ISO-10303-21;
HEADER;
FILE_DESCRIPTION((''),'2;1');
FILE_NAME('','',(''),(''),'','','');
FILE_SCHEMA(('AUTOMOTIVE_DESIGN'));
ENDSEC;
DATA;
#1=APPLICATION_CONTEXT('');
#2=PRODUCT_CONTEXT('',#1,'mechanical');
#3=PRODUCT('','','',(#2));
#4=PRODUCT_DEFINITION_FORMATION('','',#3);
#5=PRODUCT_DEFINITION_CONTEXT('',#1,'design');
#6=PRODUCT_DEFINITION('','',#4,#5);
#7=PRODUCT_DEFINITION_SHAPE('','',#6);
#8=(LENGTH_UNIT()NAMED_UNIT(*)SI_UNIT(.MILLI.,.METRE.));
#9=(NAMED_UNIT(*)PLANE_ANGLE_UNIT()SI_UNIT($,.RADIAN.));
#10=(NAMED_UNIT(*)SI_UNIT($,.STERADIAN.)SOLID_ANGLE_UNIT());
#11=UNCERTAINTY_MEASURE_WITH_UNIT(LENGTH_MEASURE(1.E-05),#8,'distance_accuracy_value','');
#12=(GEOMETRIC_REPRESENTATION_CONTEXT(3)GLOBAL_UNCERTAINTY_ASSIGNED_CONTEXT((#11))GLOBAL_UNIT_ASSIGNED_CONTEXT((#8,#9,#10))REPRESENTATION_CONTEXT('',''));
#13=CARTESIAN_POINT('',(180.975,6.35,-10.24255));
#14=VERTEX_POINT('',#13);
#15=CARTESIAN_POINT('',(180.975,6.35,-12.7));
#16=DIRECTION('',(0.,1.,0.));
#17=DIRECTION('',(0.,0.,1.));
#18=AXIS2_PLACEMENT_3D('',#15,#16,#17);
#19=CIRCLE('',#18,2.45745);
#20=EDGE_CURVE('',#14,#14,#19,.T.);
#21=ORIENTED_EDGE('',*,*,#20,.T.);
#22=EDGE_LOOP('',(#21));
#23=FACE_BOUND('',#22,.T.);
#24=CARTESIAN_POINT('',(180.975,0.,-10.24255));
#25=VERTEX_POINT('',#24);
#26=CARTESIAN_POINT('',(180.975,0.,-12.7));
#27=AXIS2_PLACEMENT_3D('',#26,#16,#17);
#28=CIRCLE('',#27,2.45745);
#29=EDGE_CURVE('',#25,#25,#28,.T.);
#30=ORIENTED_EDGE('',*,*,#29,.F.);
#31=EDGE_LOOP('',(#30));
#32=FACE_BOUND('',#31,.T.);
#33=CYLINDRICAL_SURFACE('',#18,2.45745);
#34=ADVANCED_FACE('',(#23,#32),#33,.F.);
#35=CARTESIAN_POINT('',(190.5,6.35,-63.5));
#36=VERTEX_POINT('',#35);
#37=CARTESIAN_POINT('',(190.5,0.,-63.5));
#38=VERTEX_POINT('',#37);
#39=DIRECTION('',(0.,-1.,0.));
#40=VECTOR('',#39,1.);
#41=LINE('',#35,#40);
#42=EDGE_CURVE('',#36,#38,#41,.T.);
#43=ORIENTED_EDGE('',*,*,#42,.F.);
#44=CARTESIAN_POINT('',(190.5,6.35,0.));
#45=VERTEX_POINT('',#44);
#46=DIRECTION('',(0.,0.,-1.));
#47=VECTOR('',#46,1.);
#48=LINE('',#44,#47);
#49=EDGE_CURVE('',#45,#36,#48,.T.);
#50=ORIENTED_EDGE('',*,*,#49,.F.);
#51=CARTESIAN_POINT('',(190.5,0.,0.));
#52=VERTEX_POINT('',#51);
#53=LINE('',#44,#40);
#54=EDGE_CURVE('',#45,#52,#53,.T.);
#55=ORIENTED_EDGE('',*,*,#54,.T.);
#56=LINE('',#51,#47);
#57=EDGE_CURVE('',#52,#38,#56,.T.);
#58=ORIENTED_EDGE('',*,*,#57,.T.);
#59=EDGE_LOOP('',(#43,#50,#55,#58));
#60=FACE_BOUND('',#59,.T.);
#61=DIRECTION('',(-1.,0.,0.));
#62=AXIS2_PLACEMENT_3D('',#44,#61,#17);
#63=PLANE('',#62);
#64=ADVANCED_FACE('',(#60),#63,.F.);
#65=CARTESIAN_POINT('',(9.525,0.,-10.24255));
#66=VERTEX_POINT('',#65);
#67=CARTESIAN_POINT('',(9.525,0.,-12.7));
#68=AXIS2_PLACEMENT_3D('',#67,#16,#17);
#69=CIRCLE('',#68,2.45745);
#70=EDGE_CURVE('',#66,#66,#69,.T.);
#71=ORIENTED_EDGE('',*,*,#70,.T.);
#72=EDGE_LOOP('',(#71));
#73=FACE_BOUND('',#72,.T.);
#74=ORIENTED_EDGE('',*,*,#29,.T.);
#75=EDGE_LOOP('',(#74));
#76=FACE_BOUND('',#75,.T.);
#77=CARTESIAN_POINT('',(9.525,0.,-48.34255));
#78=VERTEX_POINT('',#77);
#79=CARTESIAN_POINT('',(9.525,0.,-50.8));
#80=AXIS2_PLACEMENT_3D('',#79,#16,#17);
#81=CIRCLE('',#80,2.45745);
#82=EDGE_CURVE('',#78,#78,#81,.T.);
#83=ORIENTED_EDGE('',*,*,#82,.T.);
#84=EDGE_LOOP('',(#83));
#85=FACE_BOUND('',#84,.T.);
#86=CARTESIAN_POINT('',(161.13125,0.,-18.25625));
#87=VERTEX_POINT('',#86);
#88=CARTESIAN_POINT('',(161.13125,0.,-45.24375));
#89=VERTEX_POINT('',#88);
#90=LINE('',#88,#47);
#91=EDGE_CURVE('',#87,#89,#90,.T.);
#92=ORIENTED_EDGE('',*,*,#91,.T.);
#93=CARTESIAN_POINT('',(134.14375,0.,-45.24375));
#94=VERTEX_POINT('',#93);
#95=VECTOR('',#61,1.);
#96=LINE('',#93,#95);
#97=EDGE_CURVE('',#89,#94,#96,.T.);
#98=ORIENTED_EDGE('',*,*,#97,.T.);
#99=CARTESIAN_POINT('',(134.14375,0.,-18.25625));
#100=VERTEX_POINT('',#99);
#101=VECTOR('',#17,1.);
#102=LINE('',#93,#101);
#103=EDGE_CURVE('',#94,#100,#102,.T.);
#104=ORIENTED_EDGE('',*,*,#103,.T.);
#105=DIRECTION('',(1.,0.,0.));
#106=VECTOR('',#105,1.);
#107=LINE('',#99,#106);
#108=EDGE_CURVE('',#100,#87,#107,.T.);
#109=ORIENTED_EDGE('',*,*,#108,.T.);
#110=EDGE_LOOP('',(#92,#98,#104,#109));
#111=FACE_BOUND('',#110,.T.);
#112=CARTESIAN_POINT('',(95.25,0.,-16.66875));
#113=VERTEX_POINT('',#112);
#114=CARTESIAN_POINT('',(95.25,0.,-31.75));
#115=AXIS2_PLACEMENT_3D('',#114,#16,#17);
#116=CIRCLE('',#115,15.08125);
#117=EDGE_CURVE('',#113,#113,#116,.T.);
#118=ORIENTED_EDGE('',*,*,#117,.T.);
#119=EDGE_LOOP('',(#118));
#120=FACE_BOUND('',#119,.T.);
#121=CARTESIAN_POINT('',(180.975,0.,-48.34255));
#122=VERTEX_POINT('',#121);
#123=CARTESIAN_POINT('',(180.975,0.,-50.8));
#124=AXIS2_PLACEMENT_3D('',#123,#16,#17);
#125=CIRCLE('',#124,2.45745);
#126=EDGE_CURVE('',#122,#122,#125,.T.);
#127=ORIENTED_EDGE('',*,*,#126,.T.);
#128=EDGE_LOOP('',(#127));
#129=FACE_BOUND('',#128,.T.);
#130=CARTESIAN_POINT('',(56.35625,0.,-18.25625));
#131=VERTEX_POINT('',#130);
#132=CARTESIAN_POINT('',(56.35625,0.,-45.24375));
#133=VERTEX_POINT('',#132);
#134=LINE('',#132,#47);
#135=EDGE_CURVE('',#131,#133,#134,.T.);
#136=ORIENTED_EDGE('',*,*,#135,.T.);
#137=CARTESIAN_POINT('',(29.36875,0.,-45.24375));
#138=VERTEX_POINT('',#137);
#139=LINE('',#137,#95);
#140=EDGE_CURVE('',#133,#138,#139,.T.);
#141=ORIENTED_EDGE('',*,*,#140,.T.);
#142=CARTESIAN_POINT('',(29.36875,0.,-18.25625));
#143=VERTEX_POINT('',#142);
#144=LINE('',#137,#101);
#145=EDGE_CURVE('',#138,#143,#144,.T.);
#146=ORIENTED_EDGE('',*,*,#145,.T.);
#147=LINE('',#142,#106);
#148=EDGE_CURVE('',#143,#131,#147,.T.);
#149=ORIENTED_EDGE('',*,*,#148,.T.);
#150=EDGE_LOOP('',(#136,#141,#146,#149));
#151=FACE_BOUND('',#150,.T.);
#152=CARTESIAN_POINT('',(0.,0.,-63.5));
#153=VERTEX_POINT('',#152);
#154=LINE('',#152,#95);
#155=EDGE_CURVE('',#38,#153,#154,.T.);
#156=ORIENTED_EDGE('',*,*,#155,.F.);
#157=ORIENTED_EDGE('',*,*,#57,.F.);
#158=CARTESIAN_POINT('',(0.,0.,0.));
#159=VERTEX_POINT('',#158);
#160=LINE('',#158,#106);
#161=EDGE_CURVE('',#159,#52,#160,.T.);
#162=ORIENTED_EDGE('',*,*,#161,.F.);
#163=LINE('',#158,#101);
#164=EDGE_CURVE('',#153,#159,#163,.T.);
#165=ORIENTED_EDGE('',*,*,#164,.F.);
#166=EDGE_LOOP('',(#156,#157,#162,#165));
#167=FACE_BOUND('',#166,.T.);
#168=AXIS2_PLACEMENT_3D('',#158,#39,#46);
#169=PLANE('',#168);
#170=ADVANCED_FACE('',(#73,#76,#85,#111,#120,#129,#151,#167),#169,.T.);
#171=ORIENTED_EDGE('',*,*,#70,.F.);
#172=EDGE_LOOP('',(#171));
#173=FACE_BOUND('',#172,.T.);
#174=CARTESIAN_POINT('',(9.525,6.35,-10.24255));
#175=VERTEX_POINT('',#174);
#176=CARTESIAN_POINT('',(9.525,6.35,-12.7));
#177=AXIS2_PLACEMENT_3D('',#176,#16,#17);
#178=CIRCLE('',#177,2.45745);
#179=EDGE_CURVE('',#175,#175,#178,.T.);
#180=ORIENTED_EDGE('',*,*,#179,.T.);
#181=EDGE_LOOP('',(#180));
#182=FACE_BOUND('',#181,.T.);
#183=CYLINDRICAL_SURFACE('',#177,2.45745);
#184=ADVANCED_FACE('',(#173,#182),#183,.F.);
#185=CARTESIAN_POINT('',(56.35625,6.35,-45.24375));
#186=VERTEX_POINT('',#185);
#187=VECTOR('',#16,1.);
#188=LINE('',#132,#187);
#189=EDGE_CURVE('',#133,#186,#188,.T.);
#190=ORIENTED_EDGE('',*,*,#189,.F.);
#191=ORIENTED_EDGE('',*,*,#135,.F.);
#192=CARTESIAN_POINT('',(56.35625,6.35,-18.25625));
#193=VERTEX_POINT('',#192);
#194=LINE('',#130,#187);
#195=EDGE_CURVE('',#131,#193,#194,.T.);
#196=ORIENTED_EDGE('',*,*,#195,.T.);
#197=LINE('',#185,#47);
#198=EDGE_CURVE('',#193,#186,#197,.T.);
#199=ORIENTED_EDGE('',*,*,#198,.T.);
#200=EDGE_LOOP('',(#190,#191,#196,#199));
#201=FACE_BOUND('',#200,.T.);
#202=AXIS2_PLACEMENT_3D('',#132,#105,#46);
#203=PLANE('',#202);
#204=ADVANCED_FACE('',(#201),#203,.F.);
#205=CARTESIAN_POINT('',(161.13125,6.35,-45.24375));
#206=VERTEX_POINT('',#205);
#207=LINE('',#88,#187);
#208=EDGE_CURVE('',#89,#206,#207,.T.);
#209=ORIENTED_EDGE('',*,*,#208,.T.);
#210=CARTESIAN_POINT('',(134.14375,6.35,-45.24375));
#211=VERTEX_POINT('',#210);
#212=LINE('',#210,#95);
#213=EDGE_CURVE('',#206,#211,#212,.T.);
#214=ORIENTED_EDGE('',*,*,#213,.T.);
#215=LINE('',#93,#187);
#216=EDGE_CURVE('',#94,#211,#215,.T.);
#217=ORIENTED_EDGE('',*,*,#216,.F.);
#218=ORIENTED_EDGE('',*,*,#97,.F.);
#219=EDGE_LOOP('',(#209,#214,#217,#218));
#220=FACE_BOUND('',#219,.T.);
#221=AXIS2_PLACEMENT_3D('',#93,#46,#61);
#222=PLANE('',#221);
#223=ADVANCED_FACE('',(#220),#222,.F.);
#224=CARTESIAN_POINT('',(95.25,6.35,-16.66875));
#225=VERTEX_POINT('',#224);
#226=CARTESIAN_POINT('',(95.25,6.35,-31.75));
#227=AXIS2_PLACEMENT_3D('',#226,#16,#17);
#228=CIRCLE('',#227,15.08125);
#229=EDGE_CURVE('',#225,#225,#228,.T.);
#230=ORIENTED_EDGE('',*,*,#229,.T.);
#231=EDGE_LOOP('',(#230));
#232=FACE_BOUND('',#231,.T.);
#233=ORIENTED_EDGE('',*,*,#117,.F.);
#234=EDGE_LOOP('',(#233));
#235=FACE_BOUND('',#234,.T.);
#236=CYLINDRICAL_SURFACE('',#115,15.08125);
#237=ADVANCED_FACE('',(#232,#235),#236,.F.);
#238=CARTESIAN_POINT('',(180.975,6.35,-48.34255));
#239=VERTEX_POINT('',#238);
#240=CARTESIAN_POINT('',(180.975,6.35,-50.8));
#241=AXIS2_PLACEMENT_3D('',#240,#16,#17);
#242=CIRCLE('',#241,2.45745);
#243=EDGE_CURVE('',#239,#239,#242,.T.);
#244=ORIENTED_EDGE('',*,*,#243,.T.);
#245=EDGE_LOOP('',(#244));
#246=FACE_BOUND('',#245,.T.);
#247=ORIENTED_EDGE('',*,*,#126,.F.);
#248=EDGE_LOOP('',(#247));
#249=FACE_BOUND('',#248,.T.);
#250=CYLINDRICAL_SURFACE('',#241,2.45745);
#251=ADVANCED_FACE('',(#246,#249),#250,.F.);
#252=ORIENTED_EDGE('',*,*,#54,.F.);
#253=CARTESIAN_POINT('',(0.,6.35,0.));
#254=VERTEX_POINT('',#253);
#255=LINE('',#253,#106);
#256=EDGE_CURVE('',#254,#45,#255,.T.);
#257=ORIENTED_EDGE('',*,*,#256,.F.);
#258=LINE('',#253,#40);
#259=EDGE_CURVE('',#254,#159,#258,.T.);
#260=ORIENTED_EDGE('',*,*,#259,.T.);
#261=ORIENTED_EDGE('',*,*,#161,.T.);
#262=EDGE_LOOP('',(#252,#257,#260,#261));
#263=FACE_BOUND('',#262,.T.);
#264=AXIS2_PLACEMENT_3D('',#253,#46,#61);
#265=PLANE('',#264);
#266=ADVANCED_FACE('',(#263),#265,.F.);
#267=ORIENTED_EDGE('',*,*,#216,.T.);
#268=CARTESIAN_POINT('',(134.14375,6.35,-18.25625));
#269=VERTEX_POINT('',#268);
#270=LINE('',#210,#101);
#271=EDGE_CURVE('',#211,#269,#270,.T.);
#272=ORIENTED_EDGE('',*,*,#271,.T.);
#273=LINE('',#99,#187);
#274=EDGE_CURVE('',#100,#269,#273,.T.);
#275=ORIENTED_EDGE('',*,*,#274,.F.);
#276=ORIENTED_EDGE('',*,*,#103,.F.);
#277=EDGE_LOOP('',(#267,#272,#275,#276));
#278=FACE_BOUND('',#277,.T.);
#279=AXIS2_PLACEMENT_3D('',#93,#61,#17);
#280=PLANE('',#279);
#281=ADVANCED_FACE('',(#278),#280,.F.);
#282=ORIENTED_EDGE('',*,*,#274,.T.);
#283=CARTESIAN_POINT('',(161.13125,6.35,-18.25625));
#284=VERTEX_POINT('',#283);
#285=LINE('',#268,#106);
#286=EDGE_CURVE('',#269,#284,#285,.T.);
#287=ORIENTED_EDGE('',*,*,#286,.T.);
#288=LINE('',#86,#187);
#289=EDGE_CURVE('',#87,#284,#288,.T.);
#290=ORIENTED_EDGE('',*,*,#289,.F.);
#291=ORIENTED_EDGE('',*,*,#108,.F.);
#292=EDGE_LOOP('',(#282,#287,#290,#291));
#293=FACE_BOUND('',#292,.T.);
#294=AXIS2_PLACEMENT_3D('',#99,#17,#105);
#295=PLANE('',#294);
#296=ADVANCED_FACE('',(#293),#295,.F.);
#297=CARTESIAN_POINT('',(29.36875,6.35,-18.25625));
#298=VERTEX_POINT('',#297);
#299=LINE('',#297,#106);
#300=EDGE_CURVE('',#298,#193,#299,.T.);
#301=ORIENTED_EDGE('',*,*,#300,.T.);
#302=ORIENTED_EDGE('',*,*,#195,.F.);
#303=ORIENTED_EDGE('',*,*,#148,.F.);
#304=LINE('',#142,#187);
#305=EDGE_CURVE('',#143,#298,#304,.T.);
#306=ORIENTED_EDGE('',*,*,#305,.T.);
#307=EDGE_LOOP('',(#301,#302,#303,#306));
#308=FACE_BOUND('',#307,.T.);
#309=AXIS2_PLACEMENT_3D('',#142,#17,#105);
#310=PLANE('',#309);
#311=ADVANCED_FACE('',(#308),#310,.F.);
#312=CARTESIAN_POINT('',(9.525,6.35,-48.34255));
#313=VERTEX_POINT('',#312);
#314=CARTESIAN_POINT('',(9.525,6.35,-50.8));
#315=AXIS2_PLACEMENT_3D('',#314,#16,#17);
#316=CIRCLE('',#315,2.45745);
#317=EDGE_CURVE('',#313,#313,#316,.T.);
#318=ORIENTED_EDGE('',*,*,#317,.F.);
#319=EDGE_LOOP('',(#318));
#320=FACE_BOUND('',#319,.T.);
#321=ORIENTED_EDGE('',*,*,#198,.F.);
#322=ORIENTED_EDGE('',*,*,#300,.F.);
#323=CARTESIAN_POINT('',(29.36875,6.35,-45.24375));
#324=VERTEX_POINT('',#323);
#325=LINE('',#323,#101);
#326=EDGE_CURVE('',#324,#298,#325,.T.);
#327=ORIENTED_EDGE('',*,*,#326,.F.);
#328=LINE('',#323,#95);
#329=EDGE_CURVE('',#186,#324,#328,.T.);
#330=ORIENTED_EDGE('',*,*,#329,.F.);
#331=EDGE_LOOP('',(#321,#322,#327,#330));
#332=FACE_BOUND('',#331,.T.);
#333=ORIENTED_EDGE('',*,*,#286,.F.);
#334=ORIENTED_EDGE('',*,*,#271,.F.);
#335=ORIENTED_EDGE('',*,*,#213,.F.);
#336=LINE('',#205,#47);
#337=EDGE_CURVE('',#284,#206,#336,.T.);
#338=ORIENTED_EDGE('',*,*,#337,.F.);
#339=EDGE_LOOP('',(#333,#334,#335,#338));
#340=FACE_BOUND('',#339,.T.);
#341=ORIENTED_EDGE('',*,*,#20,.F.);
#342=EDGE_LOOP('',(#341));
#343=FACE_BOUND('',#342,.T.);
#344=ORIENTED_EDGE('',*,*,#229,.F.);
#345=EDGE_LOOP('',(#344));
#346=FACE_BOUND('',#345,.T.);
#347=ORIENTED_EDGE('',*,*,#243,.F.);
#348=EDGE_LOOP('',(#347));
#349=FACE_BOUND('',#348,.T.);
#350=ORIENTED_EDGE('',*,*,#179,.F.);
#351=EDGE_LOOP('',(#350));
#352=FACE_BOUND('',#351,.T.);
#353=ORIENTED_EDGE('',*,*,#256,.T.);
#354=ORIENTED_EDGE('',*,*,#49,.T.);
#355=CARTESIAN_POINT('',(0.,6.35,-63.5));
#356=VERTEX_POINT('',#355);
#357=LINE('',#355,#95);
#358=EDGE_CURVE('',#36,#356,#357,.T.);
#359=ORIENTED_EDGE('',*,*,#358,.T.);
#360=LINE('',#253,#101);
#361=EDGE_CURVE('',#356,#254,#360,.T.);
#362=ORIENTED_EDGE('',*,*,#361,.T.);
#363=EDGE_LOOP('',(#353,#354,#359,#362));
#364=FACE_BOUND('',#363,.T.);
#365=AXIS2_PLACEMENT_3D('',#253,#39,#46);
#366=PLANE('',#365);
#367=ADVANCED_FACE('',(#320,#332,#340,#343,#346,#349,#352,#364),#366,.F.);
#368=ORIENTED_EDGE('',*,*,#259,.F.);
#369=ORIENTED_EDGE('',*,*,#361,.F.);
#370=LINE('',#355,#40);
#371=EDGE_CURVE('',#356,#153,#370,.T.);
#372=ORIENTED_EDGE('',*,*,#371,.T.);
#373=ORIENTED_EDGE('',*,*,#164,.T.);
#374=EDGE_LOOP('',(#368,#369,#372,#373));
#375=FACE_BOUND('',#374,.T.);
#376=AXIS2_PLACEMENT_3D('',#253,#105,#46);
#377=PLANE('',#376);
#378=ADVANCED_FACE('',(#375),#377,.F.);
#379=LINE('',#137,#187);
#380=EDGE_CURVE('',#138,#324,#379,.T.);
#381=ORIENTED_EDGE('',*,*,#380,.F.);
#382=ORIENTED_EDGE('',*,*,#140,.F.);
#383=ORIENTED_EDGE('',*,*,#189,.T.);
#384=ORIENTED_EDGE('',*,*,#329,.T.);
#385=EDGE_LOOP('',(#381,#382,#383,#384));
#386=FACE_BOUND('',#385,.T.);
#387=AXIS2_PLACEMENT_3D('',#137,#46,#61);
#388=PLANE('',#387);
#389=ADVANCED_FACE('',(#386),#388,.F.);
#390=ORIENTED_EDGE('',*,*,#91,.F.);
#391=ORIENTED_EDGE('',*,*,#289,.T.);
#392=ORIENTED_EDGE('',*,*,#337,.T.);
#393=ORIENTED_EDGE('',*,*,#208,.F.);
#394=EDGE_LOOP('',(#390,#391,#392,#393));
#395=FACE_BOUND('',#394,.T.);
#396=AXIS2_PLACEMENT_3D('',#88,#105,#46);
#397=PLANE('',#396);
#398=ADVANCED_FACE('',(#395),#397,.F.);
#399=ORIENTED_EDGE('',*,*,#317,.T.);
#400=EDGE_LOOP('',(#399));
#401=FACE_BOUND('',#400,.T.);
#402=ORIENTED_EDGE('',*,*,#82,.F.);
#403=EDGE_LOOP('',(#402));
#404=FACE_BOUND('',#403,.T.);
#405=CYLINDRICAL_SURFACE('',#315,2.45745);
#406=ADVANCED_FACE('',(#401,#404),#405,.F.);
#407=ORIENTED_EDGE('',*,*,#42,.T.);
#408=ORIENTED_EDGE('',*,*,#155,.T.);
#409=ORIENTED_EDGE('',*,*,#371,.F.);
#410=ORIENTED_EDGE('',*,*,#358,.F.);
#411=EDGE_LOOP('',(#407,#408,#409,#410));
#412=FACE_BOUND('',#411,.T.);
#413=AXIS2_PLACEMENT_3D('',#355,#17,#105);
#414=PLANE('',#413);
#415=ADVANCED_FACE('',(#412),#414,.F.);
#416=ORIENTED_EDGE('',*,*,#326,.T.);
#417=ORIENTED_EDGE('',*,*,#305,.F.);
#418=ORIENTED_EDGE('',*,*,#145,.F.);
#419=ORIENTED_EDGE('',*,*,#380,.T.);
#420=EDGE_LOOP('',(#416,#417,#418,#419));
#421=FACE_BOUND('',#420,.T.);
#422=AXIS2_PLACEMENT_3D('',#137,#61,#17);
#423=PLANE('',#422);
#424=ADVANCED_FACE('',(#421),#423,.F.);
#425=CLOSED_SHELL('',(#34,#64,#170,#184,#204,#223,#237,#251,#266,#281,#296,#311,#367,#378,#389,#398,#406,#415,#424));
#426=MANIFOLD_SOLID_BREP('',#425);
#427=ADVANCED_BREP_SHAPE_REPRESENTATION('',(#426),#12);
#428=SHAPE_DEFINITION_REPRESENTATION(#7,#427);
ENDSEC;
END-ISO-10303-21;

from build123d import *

# Parameters (mm, degrees)
SKETCH1_W                    = 190.5
SKETCH1_H                    = 63.5
BOSS_EXTRUDE1_DEPTH          = 6.35
SKETCH3_W                    = 26.9875
SKETCH3_H                    = 26.9875
CUT_EXTRUDE2_DEPTH           = 201.905008648
SKETCH4_W                    = 26.9875
SKETCH4_H                    = 26.9875
CUT_EXTRUDE3_DEPTH           = 201.905008648
SKETCH5_R                    = 15.08125
CUT_EXTRUDE4_DEPTH           = 201.905008648
F_10_0_1935_DIAMETER_HOLE1_D = 4.9149


with BuildPart() as part:
    # Sketch1 → Boss-Extrude1 (new body)
    with BuildSketch(Plane(origin=(0, 0, 0), x_dir=(1, 0, 0), z_dir=(0, 1, 0))):
        with Locations((95.25, 31.75)):
            Rectangle(SKETCH1_W, SKETCH1_H)
    extrude(amount=BOSS_EXTRUDE1_DEPTH)

    # Sketch3 → Cut-Extrude2 (cut, through all)
    with BuildSketch(Plane(origin=(0, 6.35, 0), x_dir=(1, 0, 0), z_dir=(0, 1, 0))):
        with Locations((42.8625, 31.75)):
            Rectangle(SKETCH3_W, SKETCH3_H)
    extrude(amount=-CUT_EXTRUDE2_DEPTH, mode=Mode.SUBTRACT)

    # Sketch4 → Cut-Extrude3 (cut, through all)
    with BuildSketch(Plane(origin=(0, 6.35, 0), x_dir=(1, 0, 0), z_dir=(0, 1, 0))):
        with Locations((147.6375, 31.75)):
            Rectangle(SKETCH4_W, SKETCH4_H)
    extrude(amount=-CUT_EXTRUDE3_DEPTH, mode=Mode.SUBTRACT)

    # Sketch5 → Cut-Extrude4 (cut, through all)
    with BuildSketch(Plane(origin=(0, 6.35, 0), x_dir=(1, 0, 0), z_dir=(0, 1, 0))):
        with Locations(Location((95.25, 31.75, 0), (0, 0, 270))):
            Circle(SKETCH5_R)
    extrude(amount=-CUT_EXTRUDE4_DEPTH, mode=Mode.SUBTRACT)

    # #10 (0.1935) Diameter Hole1 (through all)
    with Locations(Plane(origin=(0, 6.35, 0), x_dir=(1, 0, 0), z_dir=(0, 1, 0))):
        with Locations((9.525, 50.8), (9.525, 12.7), (180.975, 12.7), (180.975, 50.8)):
            Hole(F_10_0_1935_DIAMETER_HOLE1_D / 2)


solid = part.part
